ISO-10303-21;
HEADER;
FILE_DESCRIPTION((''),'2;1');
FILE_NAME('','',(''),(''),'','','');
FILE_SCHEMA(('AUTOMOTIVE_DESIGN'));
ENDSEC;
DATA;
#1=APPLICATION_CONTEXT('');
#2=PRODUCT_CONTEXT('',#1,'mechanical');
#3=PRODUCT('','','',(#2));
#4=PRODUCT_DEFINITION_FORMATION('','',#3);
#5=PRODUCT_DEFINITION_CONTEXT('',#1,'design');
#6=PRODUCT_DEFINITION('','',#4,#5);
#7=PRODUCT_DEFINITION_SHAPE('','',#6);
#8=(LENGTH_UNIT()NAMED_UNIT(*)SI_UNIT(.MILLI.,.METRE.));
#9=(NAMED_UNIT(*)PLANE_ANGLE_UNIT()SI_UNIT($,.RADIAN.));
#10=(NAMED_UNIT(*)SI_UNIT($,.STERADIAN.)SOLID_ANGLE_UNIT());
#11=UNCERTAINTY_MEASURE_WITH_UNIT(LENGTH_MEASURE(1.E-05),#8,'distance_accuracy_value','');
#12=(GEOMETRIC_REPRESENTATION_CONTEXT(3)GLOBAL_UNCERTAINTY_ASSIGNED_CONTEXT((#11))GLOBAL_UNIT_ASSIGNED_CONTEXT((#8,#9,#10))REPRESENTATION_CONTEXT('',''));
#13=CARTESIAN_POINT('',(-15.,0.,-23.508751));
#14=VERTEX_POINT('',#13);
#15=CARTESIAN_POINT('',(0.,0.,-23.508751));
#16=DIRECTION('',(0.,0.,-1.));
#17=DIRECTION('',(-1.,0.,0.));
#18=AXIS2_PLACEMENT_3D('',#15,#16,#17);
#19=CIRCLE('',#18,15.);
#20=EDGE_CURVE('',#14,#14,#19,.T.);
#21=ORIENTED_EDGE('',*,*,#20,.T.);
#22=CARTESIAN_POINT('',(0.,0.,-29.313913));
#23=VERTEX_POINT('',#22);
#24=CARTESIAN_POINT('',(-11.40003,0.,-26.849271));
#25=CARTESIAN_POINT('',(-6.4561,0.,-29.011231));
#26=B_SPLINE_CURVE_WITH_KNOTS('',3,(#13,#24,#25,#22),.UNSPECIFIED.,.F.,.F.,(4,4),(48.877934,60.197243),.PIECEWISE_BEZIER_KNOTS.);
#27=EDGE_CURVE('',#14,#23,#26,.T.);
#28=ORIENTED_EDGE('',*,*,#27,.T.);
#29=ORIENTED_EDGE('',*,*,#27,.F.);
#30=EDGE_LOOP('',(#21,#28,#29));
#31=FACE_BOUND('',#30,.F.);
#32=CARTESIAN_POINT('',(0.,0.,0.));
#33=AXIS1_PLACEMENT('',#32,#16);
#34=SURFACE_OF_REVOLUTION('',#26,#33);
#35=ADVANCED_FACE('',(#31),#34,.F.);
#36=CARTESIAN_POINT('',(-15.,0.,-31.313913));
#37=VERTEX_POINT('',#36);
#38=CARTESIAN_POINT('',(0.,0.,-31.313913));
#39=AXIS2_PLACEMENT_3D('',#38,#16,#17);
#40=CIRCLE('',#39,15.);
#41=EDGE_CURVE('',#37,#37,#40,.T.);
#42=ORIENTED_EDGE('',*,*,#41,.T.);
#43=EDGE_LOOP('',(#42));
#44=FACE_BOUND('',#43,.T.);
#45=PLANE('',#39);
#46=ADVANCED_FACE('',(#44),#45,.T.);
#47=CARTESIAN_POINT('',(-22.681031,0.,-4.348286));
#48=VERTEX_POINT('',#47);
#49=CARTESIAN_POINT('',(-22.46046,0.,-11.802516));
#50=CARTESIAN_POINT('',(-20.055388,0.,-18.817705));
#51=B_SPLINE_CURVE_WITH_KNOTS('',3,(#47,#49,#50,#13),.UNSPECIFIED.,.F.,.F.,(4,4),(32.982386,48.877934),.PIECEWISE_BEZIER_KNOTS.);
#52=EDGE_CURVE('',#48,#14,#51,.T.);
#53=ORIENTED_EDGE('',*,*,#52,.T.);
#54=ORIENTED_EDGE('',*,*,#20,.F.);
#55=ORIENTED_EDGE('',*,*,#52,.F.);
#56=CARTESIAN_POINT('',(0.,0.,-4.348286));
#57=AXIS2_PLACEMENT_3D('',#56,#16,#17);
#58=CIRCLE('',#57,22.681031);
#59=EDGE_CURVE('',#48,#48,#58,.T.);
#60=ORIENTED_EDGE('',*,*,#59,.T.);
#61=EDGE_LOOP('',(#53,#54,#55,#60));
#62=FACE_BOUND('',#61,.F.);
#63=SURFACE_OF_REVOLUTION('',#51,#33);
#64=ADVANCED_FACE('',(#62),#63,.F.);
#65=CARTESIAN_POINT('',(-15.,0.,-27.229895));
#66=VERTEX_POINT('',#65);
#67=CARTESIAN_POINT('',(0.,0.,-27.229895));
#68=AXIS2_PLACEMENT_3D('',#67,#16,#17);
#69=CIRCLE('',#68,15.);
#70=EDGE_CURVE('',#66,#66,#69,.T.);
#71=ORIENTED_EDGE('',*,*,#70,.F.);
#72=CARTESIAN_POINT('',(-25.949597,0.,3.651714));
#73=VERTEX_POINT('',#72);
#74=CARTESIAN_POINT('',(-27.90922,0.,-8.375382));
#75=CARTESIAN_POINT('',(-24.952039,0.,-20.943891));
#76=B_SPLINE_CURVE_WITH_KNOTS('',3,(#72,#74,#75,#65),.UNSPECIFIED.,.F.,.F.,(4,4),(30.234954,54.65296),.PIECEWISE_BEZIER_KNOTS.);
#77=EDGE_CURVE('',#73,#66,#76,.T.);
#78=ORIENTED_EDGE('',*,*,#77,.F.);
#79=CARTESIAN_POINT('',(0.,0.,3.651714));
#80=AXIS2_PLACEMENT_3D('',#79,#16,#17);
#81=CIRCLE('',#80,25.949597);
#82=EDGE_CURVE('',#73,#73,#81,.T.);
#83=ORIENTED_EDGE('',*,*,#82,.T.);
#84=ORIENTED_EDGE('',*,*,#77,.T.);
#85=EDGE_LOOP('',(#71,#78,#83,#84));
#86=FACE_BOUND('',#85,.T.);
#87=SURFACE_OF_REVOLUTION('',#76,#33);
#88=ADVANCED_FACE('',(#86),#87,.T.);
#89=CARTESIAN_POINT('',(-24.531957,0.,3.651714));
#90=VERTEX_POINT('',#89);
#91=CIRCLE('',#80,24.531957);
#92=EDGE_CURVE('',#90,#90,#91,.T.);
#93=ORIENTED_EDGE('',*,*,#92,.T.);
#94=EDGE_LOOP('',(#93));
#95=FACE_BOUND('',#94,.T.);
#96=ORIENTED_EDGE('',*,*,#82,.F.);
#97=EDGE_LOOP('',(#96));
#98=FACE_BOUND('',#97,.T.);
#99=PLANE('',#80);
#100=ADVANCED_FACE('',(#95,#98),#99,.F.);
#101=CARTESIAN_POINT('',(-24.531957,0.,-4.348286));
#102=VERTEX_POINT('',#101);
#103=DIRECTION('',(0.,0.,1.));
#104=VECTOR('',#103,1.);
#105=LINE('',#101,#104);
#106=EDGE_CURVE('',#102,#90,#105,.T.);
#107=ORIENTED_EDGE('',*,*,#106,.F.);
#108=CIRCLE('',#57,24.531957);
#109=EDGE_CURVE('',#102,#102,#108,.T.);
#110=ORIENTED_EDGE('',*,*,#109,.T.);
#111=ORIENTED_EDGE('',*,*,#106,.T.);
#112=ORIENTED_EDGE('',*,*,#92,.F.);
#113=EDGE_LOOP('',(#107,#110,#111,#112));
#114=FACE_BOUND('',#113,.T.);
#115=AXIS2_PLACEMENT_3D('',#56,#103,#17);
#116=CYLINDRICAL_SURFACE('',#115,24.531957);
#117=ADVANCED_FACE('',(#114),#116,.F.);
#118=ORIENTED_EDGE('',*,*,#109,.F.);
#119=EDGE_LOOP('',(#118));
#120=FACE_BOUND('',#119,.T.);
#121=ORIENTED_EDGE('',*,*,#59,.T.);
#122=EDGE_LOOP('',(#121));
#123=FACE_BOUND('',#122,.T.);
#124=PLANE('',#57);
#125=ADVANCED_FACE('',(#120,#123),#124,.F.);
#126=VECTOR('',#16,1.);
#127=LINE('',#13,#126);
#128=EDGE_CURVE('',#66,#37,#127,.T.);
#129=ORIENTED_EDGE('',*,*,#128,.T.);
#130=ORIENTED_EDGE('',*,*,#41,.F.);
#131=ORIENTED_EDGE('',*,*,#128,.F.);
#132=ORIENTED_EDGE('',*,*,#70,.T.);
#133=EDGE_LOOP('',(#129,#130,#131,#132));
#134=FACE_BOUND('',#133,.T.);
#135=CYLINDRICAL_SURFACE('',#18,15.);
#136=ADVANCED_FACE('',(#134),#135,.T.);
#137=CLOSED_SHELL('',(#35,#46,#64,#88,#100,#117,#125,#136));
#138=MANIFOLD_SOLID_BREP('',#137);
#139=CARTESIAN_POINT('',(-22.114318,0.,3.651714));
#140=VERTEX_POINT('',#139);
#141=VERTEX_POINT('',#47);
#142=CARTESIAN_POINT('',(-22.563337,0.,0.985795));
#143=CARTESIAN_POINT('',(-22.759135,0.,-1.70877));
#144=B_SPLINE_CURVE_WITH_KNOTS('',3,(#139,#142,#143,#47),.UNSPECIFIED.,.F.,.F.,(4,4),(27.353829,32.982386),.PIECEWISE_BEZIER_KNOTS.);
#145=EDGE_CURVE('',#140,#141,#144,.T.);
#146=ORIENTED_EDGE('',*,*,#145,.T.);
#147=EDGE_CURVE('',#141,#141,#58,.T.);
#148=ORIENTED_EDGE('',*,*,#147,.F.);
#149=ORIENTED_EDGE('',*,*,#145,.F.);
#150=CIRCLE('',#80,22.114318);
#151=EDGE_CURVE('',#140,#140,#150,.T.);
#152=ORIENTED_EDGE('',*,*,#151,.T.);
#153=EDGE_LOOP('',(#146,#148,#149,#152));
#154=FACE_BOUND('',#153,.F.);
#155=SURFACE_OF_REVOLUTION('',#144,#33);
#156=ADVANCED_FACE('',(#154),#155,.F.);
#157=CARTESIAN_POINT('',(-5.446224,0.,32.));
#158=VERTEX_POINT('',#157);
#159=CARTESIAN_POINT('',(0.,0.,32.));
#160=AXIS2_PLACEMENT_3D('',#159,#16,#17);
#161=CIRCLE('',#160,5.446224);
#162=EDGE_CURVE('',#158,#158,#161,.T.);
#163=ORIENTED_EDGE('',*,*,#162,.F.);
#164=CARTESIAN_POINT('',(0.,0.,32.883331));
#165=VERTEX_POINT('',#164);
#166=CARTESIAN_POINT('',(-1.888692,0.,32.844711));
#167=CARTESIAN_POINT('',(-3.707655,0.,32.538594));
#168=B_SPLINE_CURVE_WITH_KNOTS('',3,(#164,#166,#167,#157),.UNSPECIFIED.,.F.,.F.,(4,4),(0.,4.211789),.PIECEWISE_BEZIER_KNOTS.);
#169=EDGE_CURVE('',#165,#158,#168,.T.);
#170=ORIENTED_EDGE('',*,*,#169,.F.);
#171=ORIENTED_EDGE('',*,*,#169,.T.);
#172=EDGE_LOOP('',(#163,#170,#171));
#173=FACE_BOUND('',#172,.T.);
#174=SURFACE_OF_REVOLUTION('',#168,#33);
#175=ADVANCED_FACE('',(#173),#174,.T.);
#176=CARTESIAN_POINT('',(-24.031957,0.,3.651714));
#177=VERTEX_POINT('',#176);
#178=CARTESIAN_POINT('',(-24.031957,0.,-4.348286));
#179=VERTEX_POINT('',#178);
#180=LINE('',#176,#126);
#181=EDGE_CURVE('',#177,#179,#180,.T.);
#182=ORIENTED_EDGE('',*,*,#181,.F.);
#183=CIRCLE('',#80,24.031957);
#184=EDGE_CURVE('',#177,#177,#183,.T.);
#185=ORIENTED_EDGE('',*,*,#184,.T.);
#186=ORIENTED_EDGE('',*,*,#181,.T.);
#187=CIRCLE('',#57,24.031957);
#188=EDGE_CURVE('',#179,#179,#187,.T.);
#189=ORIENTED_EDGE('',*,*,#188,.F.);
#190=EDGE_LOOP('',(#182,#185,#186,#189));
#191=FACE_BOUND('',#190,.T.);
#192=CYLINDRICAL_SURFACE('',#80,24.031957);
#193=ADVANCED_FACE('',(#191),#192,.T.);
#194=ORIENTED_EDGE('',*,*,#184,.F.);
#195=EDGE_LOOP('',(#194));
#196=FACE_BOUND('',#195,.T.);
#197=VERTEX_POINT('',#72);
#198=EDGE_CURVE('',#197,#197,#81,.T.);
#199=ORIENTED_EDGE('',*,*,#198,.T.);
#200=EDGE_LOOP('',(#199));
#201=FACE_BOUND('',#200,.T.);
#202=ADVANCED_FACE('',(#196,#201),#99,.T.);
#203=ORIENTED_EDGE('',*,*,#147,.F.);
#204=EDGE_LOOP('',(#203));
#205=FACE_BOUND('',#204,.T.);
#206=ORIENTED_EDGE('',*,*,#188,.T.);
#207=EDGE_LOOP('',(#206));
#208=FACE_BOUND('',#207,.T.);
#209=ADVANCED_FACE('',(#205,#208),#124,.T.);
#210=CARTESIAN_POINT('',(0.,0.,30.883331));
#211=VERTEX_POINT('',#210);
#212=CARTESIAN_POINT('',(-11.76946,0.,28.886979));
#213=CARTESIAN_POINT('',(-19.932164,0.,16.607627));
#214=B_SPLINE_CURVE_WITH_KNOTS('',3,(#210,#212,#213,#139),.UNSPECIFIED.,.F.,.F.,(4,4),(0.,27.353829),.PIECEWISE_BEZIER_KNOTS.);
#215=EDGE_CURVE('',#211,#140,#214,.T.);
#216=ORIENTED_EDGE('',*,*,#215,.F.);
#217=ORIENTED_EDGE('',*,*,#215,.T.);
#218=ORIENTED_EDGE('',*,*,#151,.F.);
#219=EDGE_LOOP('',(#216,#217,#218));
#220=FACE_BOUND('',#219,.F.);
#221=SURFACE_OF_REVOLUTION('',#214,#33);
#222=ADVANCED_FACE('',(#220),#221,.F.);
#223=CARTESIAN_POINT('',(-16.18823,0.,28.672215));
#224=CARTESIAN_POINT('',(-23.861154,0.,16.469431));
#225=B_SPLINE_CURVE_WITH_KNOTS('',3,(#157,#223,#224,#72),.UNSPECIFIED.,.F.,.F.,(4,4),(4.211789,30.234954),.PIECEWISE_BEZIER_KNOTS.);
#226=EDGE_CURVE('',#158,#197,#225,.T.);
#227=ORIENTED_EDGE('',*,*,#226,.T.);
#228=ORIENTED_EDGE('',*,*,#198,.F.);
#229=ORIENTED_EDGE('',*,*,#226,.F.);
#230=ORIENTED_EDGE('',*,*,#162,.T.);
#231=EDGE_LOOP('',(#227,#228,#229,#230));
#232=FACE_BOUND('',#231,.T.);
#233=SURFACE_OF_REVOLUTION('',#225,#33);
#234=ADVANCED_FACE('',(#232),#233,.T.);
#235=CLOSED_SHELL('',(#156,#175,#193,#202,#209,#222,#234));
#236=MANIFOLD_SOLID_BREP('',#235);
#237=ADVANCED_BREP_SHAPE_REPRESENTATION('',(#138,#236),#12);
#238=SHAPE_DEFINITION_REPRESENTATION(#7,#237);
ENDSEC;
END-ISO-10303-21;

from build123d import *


with BuildPart() as f1:
    # F0 (on Front) → F1 (revolve)
    with BuildSketch(Plane.XZ):
        with BuildLine():
            Line((-5.446224, 32), (0, 32))
            Line((0, 32), (0, 32.883331))
            add(Edge.make_bspline(
                [(0, 32.883331), (-1.888692, 32.844711), (-3.707655, 32.538594), (-5.446224, 32)],
                knots=[0, 0, 0, 0, 4.211789, 4.211789, 4.211789, 4.211789], degree=3))
        make_face()
        with BuildLine():
            add(Edge.make_bspline(
                [(0, 30.883331), (-11.76946, 28.886979), (-19.932164, 16.607627), (-22.114318, 3.651714)],
                knots=[0, 0, 0, 0, 27.353829, 27.353829, 27.353829, 27.353829], degree=3))
            Line((0, 30.883331), (0, 32))
            Line((0, 32), (-5.446224, 32))
            add(Edge.make_bspline(
                [(-5.446224, 32), (-16.18823, 28.672215), (-23.861154, 16.469431), (-25.949597, 3.651714)],
                knots=[4.211789, 4.211789, 4.211789, 4.211789, 30.234954, 30.234954, 30.234954, 30.234954], degree=3))
            Line((-25.949597, 3.651714), (-24.531957, 3.651714))
            Line((-24.531957, 3.651714), (-24.031957, 3.651714))
            Line((-24.031957, 3.651714), (-22.114318, 3.651714))
        make_face()
        with BuildLine():
            add(Edge.make_bspline(
                [(-22.114318, 3.651714), (-22.563337, 0.985795), (-22.759135, -1.70877), (-22.681031, -4.348286)],
                knots=[27.353829, 27.353829, 27.353829, 27.353829, 32.982386, 32.982386, 32.982386, 32.982386], degree=3))
            Line((-22.114318, 3.651714), (-24.031957, 3.651714))
            Line((-24.031957, 3.651714), (-24.031957, -4.348286))
            Line((-24.031957, -4.348286), (-22.681031, -4.348286))
        make_face()
    revolve(axis=Axis((0, 0, 0), (0, 0, -1)))


with BuildPart() as f2:
    # F0 (on Front) → F2 (revolve)
    with BuildSketch(Plane.XZ):
        with BuildLine():
            Line((-15, -31.313913), (0, -31.313913))
            add(Edge.make_bspline(
                [(-15, -27.229895), (-11.110039, -29.68691), (-6.151404, -31.184084), (0, -31.313913)],
                knots=[54.65296, 54.65296, 54.65296, 54.65296, 64.197243, 64.197243, 64.197243, 64.197243], degree=3))
            Line((-15, -27.229895), (-15, -31.313913))
        make_face()
        with BuildLine():
            Line((0, -31.313913), (0, -29.313913))
            add(Edge.make_bspline(
                [(-15, -23.508751), (-11.40003, -26.849271), (-6.4561, -29.011231), (0, -29.313913)],
                knots=[48.877934, 48.877934, 48.877934, 48.877934, 60.197243, 60.197243, 60.197243, 60.197243], degree=3))
            Line((-15, -23.508751), (-15, -27.229895))
            add(Edge.make_bspline(
                [(-15, -27.229895), (-11.110039, -29.68691), (-6.151404, -31.184084), (0, -31.313913)],
                knots=[54.65296, 54.65296, 54.65296, 54.65296, 64.197243, 64.197243, 64.197243, 64.197243], degree=3))
        make_face()
        with BuildLine():
            add(Edge.make_bspline(
                [(-22.681031, -4.348286), (-22.46046, -11.802516), (-20.055388, -18.817705), (-15, -23.508751)],
                knots=[32.982386, 32.982386, 32.982386, 32.982386, 48.877934, 48.877934, 48.877934, 48.877934], degree=3))
            Line((-22.681031, -4.348286), (-24.031957, -4.348286))
            Line((-24.031957, -4.348286), (-24.531957, -4.348286))
            Line((-24.531957, -4.348286), (-24.531957, 3.651714))
            Line((-24.531957, 3.651714), (-25.949597, 3.651714))
            add(Edge.make_bspline(
                [(-25.949597, 3.651714), (-27.90922, -8.375382), (-24.952039, -20.943891), (-15, -27.229895)],
                knots=[30.234954, 30.234954, 30.234954, 30.234954, 54.65296, 54.65296, 54.65296, 54.65296], degree=3))
            Line((-15, -27.229895), (-15, -23.508751))
        make_face()
    revolve(axis=Axis((0, 0, 0), (0, 0, -1)))


solid = Compound([f1.part, f2.part])
